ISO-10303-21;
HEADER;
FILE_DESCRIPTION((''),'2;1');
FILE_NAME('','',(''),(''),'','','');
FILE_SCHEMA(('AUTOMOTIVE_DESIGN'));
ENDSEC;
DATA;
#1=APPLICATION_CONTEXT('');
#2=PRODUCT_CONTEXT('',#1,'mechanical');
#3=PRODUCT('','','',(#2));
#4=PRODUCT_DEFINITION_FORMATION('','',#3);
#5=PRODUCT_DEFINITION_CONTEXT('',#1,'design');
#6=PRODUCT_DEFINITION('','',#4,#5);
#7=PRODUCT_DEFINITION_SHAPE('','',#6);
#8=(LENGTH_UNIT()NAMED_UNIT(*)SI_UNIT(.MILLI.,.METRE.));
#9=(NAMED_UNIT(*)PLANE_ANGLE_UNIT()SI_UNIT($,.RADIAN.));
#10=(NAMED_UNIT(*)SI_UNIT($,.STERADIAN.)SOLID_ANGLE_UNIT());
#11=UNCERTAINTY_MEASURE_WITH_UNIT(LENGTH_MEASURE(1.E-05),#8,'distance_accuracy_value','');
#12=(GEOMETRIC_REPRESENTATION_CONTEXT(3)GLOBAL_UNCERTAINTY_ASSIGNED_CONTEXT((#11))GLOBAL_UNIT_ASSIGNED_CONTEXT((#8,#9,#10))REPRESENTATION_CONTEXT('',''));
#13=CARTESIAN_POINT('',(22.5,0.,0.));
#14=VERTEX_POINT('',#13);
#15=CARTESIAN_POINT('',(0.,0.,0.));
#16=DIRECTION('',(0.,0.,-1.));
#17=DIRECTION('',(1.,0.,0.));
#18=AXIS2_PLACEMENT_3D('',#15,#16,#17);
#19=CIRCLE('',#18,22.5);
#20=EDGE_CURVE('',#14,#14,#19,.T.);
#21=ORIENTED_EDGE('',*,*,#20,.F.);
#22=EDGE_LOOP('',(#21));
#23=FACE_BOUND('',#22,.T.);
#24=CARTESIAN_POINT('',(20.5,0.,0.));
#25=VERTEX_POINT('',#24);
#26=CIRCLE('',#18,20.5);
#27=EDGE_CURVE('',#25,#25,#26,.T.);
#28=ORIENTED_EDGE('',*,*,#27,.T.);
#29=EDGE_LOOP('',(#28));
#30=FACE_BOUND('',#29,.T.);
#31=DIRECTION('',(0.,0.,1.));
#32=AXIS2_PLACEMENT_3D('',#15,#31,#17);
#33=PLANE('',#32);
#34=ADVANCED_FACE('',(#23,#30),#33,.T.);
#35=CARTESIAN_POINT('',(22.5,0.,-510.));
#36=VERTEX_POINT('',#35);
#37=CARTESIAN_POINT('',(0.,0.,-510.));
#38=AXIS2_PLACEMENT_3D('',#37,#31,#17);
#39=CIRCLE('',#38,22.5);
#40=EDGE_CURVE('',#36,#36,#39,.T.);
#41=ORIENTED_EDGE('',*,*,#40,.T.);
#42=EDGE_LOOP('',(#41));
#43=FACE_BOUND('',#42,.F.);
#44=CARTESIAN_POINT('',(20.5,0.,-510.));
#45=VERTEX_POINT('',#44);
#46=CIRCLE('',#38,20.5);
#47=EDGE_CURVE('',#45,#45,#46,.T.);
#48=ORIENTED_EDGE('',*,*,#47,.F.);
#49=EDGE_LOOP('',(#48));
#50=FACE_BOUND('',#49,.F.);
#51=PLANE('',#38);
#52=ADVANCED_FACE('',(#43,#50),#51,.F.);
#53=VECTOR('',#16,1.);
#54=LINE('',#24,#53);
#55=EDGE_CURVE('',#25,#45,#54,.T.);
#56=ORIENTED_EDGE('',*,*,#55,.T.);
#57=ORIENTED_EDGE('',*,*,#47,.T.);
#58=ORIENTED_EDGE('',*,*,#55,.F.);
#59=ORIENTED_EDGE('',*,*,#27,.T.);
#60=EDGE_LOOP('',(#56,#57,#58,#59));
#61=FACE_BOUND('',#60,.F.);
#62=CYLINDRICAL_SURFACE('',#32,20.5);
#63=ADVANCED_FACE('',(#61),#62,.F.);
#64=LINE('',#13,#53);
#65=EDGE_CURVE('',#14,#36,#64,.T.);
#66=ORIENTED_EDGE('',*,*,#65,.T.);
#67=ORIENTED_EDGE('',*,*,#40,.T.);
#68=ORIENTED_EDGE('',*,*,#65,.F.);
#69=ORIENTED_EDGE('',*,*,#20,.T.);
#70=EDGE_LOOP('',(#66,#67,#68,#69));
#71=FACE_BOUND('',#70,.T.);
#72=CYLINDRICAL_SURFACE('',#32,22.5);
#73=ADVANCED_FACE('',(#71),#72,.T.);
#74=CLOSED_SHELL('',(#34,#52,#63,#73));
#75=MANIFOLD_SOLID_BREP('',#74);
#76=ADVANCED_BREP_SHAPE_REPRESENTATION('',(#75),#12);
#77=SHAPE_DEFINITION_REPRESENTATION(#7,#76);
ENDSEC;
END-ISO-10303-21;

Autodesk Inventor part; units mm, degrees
ref_plane "YZ Plane" through (0, 0, 0) normal (1, 0, 0) x (0, 1, 0)
ref_plane "XZ Plane" through (0, 0, 0) normal (0, 1, 0) x (-1, 0, 0)
ref_plane "XY Plane" through (0, 0, 0) normal (0, 0, 1) x (1, 0, 0)
sketch "Sketch1" plane through (0, 0, 0) normal (0, 0, 1) x (1, 0, 0)
  line L0 (0, 31.5) -> (0, -31.5) projected
  line L1 (-31.5, 0) -> (31.5, 0) projected
  circle A0 centre (0, 0) radius 22.5
  circle A1 centre (0, 0) radius 20.5
  dimension "d0" = 45
  dimension "d1" = 2
  dimension "d2" = 41
extrude "Extrusion1" add sketch "Sketch1" against normal blind 510 contours A0 L1 A1 L0 | L0 A1 L1 A0 | A0 L0 A1 L1 | L1 A1 L0 A0
properties part number "SlipersLåda 211018005"
